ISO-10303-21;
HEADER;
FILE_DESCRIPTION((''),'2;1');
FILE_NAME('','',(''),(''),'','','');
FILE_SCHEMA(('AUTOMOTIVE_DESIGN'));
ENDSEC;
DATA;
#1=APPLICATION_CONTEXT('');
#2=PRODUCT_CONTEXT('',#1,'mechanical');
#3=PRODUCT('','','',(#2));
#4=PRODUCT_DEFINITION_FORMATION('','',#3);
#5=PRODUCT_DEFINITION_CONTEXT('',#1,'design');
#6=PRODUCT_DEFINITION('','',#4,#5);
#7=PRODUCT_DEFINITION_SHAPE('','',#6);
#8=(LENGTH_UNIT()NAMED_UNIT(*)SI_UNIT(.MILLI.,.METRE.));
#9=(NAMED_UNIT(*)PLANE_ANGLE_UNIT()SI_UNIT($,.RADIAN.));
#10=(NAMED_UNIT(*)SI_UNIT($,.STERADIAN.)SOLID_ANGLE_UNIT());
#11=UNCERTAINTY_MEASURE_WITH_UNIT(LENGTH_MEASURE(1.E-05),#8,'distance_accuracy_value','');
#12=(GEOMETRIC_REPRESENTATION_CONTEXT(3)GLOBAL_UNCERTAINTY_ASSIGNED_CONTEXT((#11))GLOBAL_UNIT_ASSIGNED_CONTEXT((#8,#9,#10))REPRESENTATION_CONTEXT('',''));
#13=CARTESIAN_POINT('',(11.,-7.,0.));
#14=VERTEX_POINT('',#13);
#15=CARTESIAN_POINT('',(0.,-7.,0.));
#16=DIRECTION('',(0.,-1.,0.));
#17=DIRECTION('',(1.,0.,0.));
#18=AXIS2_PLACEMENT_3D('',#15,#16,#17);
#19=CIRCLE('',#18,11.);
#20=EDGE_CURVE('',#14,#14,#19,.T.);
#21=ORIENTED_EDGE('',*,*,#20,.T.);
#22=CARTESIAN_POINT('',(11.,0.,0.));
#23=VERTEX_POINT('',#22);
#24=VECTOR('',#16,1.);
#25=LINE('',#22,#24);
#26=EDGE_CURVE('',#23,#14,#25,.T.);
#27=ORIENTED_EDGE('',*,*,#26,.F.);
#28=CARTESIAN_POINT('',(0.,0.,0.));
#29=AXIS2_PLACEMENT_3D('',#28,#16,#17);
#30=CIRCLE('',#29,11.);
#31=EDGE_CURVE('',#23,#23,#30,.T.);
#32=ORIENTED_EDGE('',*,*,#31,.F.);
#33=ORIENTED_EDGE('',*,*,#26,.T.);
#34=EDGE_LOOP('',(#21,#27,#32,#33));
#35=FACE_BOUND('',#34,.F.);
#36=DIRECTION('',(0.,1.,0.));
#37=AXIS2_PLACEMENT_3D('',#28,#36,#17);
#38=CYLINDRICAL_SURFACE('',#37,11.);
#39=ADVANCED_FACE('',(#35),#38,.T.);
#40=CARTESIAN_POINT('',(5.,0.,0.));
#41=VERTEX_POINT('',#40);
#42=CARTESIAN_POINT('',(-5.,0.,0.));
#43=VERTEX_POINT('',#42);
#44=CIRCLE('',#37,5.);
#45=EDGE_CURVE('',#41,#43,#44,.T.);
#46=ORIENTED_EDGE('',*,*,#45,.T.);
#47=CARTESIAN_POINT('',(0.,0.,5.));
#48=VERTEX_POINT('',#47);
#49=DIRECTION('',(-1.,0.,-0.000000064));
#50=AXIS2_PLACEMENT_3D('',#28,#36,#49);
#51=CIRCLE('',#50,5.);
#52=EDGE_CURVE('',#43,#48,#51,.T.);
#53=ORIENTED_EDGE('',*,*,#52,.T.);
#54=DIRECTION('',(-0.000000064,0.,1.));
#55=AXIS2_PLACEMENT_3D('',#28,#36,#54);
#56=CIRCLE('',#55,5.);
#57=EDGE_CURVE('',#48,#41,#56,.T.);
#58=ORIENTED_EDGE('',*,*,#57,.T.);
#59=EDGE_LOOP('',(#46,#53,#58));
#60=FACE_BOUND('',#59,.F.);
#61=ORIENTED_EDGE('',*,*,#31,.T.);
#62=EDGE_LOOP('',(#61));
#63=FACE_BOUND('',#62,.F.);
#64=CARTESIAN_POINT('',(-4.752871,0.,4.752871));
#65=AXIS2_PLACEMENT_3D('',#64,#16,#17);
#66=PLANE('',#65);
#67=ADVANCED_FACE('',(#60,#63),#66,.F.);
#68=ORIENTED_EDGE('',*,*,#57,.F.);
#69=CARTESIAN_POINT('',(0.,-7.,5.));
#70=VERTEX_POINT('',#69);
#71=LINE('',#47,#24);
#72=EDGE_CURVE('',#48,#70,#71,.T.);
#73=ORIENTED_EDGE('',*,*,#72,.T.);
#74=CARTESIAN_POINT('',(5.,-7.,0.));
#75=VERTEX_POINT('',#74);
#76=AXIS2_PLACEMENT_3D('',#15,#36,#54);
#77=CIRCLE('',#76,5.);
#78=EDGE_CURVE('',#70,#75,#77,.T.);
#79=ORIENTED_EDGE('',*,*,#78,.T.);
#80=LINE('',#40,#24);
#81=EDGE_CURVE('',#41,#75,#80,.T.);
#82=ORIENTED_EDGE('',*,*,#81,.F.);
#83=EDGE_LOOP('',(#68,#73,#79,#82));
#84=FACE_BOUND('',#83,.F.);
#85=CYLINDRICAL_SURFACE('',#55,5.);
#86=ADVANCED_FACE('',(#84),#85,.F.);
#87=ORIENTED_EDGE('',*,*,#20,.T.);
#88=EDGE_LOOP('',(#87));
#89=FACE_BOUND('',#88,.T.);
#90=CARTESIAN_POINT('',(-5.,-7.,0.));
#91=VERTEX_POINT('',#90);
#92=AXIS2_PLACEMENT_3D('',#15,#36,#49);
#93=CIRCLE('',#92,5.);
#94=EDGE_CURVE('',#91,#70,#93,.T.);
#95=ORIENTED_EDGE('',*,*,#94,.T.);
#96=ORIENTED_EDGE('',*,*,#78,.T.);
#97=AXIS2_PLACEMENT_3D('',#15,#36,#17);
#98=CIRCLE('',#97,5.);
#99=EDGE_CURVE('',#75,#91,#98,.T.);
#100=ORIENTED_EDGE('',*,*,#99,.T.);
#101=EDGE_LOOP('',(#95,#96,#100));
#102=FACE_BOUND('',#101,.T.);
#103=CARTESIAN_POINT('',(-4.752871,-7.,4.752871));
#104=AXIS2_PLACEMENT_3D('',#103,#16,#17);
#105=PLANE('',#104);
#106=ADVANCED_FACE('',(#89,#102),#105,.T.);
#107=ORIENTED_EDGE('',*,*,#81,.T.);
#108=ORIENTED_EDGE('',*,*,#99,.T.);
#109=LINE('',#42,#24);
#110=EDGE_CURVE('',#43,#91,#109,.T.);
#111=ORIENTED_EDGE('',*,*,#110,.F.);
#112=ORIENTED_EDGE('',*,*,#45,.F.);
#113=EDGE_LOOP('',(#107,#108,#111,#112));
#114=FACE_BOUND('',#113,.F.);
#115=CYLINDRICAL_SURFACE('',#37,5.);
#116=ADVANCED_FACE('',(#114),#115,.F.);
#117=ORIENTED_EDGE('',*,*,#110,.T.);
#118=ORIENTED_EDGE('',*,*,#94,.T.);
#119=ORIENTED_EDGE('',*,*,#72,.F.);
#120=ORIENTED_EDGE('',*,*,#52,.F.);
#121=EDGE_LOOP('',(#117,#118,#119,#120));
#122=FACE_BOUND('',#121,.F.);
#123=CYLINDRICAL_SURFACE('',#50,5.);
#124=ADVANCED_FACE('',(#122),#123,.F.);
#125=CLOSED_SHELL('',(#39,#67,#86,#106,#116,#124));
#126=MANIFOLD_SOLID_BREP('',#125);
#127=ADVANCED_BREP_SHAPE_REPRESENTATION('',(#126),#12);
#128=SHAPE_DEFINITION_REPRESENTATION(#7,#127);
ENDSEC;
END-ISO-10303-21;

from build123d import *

# Parameters (mm, degrees)
F1_DEPTH = 7


with BuildPart() as f1:
    # F0 (on Front) → F1 (new body)
    with BuildSketch(Plane.XZ):
        with BuildLine():
            ThreePointArc((0, 10), (-7.071068, 7.071068), (-10, 0))
            Line((-10, 0), (-5, 0))
            ThreePointArc((-5, 0), (-3.535534, 3.535534), (0, 5))
            Line((0, 5), (0, 10))
        make_face()
        with BuildLine():
            ThreePointArc((-10, 0), (0, -10), (10, 0))
            Line((10, 0), (5, 0))
            ThreePointArc((5, 0), (0, -5), (-5, 0))
            Line((-5, 0), (-10, 0))
        make_face()
        with BuildLine():
            Line((5, 0), (10, 0))
            ThreePointArc((10, 0), (7.071068, 7.071068), (0, 10))
            Line((0, 10), (0, 5))
            ThreePointArc((0, 5), (3.535534, 3.535534), (5, 0))
        make_face()
        with BuildLine():
            ThreePointArc((-11, 0), (0, -11), (11, 0))
            Line((11, 0), (10, 0))
            ThreePointArc((10, 0), (0, -10), (-10, 0))
            Line((-10, 0), (-11, 0))
        make_face()
        with BuildLine():
            Line((10, 0), (11, 0))
            ThreePointArc((11, 0), (0, 11), (-11, 0))
            Line((-11, 0), (-10, 0))
            ThreePointArc((-10, 0), (-7.071068, 7.071068), (0, 10))
            ThreePointArc((0, 10), (7.071068, 7.071068), (10, 0))
        make_face()
    extrude(amount=F1_DEPTH)


solid = f1.part
